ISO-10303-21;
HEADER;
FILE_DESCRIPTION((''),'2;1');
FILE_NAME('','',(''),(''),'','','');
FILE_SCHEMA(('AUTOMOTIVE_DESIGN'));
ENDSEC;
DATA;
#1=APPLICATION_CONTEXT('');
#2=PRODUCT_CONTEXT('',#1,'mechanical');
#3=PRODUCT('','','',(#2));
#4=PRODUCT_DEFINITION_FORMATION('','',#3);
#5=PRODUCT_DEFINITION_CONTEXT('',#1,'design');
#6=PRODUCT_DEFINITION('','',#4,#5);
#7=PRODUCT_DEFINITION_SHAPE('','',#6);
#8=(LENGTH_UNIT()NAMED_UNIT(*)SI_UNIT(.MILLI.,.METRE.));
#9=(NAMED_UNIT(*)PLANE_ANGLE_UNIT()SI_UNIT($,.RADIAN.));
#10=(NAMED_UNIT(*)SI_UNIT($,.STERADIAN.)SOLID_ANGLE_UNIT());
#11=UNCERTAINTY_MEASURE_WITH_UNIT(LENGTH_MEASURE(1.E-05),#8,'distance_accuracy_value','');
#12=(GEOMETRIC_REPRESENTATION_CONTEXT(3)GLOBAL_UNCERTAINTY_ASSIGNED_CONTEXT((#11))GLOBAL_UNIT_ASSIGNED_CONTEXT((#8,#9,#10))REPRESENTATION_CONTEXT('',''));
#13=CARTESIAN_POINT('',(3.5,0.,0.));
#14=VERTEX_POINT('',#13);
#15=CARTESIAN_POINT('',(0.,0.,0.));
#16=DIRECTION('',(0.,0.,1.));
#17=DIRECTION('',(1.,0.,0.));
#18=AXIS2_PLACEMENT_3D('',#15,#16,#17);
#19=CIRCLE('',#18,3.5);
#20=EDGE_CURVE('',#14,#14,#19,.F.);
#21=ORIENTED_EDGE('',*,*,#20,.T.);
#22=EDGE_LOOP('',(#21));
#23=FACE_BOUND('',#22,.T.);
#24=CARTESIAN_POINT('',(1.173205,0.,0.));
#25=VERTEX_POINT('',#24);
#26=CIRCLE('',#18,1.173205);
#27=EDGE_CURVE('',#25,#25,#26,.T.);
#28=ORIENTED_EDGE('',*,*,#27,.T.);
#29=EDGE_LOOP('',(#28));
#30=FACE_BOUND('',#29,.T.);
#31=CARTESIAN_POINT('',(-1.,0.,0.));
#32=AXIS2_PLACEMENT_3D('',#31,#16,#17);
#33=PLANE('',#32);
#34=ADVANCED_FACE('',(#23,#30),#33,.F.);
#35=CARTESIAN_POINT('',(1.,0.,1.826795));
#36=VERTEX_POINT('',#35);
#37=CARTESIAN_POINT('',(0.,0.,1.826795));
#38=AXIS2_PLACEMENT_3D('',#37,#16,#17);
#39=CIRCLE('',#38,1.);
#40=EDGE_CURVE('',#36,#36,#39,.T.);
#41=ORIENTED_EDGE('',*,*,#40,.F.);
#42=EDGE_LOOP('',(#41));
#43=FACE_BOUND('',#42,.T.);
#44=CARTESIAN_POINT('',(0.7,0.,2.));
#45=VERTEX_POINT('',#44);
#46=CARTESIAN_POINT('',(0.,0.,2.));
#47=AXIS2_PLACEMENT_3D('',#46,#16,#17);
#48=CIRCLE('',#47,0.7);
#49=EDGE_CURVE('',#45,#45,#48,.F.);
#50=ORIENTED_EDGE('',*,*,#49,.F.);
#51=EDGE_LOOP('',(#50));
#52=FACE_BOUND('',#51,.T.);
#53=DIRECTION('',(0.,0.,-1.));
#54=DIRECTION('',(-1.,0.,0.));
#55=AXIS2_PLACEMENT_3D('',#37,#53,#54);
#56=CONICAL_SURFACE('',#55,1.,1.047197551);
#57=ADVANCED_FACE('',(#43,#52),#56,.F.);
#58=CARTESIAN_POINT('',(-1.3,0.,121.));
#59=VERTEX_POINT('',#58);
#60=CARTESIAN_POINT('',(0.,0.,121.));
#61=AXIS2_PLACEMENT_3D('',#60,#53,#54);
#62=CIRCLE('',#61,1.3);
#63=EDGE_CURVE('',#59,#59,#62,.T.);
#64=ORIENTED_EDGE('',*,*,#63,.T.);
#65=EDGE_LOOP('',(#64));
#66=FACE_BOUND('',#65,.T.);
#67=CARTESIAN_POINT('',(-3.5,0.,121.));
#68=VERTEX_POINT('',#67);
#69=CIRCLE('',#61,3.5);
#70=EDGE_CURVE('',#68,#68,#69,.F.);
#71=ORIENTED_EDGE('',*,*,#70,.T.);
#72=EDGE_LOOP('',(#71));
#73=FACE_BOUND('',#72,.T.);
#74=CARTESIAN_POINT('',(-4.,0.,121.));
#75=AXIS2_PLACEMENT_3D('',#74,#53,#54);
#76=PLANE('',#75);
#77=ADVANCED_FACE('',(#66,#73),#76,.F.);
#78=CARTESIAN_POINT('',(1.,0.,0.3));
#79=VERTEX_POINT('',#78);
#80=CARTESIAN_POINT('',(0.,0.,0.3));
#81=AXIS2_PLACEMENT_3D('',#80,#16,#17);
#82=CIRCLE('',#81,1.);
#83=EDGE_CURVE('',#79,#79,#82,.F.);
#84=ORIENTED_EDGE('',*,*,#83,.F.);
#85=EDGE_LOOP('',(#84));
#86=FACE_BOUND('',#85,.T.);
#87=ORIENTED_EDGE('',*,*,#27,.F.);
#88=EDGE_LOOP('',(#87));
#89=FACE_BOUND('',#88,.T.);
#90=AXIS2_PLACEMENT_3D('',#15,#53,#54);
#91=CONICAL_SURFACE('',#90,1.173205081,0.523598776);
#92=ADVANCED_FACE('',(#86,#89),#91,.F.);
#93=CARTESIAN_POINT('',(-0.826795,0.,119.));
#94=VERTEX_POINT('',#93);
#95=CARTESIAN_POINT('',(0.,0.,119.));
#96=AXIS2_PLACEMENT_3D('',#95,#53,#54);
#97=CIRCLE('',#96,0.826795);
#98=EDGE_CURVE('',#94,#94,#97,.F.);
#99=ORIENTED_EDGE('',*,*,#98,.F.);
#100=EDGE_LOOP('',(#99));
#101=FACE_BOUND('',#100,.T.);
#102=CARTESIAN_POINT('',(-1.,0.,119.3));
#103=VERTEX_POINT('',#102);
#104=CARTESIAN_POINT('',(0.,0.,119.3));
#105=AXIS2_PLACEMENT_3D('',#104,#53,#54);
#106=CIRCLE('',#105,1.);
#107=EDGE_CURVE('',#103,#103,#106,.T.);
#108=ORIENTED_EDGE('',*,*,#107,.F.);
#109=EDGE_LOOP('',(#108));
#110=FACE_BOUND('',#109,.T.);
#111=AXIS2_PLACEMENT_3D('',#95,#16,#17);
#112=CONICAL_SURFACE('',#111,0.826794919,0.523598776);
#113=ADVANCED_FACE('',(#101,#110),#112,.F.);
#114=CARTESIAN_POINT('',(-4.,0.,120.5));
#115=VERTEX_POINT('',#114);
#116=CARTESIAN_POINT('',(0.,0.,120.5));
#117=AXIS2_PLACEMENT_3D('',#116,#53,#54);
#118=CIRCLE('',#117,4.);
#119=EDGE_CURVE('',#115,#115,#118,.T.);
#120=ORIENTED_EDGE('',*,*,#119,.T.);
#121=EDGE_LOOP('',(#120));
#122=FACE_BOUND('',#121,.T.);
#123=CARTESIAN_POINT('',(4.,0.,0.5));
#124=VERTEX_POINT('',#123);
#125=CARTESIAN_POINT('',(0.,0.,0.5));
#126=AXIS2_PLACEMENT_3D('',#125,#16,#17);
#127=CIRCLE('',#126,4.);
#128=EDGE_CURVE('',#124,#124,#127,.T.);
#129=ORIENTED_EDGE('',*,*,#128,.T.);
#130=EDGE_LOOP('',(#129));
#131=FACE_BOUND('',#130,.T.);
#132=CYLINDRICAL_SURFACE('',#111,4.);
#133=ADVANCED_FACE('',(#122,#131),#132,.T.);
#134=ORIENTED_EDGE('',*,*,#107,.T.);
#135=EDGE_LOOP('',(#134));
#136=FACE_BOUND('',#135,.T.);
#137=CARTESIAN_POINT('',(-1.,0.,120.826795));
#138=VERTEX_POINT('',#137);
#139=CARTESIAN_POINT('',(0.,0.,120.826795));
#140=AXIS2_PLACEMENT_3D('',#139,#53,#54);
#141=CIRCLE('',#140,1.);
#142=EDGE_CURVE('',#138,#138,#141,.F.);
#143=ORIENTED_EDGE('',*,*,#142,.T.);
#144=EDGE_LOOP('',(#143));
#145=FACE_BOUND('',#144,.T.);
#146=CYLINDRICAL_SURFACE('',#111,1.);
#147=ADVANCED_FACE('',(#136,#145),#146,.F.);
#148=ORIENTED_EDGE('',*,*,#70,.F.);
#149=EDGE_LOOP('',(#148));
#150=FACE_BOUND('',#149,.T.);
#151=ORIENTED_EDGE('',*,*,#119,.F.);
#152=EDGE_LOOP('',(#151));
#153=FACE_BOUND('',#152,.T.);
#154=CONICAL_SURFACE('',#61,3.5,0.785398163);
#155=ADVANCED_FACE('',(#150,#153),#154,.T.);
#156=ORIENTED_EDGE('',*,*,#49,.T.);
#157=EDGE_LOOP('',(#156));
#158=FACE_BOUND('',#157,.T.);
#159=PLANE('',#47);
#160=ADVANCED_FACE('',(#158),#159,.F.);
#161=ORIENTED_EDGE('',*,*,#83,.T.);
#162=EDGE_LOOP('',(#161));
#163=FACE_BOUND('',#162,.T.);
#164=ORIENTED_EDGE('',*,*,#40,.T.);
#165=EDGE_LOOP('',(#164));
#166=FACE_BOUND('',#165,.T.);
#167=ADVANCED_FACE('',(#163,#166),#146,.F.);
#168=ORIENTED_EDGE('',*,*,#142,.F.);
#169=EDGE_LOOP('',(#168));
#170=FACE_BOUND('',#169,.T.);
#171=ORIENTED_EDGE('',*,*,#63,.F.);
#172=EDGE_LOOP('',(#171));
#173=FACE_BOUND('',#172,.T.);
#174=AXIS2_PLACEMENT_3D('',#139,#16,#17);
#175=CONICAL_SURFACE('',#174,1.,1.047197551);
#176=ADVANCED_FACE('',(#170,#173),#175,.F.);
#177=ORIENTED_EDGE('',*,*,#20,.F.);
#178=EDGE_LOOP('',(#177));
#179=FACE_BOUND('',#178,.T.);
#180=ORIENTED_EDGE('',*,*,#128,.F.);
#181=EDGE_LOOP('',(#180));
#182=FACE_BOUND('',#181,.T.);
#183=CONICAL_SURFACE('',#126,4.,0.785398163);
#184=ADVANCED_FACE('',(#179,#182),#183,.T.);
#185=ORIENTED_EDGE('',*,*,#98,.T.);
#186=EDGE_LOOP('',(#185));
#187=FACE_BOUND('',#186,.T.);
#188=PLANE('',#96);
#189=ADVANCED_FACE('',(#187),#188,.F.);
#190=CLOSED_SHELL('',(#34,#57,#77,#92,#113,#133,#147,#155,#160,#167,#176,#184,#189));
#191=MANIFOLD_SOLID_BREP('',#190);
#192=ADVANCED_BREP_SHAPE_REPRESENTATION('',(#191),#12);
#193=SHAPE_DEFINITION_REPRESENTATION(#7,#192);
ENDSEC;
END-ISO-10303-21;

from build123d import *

# Parameters (mm, degrees)
CHAMFER1_SIZE         = 0.5
CHAMFER2_SIZE         = 0.3
CHAMFER2_SIZE2        = 0.173205081
CHAMFER2_PART_2_SIZE  = 0.3
CHAMFER2_PART_2_SIZE2 = 0.173205081
CHAMFER2_PART_3_SIZE  = 0.3
CHAMFER2_PART_3_SIZE2 = 0.173205081
CHAMFER2_PART_4_SIZE  = 0.3
CHAMFER2_PART_4_SIZE2 = 0.173205081


with BuildPart() as part:
    # Sketch1 → Revolve1 (revolve)
    with BuildSketch(Plane(origin=(0, 0, 0), x_dir=(1, 0, 0), z_dir=(0, 1, 0))):
        Polygon((-1, 0), (-4, 0), (-4, -121), (-1, -121), (-1, -119), (0, -119), (0, -2), (-1, -2), align=None)
    revolve(axis=Axis((0, 0, 119), (0, 0, -1)))

    # Chamfer1
    chamfer1_edges = [part.edges().sort_by_distance(p)[0] for p in [
        (4, 0, 121),
        (4, 0, 0),
    ]]
    chamfer(chamfer1_edges, length=CHAMFER1_SIZE)

    # Chamfer2
    chamfer2_edges = [part.edges().sort_by_distance(p)[0] for p in [
        (1, 0, 2),
    ]]
    chamfer2_side = [part.faces().sort_by_distance(p)[0] for p in [
        (0, 0, 2),
    ]]
    chamfer(chamfer2_edges, length=CHAMFER2_SIZE, length2=CHAMFER2_SIZE2, reference=chamfer2_side[0])

    # Chamfer2 part 2
    chamfer2_part_2_edges = [part.edges().sort_by_distance(p)[0] for p in [
        (1, 0, 119),
    ]]
    chamfer2_part_2_side = [part.faces().sort_by_distance(p)[0] for p in [
        (1, 0, 120),
    ]]
    chamfer(chamfer2_part_2_edges, length=CHAMFER2_PART_2_SIZE, length2=CHAMFER2_PART_2_SIZE2, reference=chamfer2_part_2_side[0])

    # Chamfer2 part 3
    chamfer2_part_3_edges = [part.edges().sort_by_distance(p)[0] for p in [
        (1, 0, 121),
    ]]
    chamfer2_part_3_side = [part.faces().sort_by_distance(p)[0] for p in [
        (3.401005051, 0, 121),
    ]]
    chamfer(chamfer2_part_3_edges, length=CHAMFER2_PART_3_SIZE, length2=CHAMFER2_PART_3_SIZE2, reference=chamfer2_part_3_side[0])

    # Chamfer2 part 4
    chamfer2_part_4_edges = [part.edges().sort_by_distance(p)[0] for p in [
        (1, 0, 0),
    ]]
    chamfer2_part_4_side = [part.faces().sort_by_distance(p)[0] for p in [
        (1, 0, 1),
    ]]
    chamfer(chamfer2_part_4_edges, length=CHAMFER2_PART_4_SIZE, length2=CHAMFER2_PART_4_SIZE2, reference=chamfer2_part_4_side[0])


solid = part.part
